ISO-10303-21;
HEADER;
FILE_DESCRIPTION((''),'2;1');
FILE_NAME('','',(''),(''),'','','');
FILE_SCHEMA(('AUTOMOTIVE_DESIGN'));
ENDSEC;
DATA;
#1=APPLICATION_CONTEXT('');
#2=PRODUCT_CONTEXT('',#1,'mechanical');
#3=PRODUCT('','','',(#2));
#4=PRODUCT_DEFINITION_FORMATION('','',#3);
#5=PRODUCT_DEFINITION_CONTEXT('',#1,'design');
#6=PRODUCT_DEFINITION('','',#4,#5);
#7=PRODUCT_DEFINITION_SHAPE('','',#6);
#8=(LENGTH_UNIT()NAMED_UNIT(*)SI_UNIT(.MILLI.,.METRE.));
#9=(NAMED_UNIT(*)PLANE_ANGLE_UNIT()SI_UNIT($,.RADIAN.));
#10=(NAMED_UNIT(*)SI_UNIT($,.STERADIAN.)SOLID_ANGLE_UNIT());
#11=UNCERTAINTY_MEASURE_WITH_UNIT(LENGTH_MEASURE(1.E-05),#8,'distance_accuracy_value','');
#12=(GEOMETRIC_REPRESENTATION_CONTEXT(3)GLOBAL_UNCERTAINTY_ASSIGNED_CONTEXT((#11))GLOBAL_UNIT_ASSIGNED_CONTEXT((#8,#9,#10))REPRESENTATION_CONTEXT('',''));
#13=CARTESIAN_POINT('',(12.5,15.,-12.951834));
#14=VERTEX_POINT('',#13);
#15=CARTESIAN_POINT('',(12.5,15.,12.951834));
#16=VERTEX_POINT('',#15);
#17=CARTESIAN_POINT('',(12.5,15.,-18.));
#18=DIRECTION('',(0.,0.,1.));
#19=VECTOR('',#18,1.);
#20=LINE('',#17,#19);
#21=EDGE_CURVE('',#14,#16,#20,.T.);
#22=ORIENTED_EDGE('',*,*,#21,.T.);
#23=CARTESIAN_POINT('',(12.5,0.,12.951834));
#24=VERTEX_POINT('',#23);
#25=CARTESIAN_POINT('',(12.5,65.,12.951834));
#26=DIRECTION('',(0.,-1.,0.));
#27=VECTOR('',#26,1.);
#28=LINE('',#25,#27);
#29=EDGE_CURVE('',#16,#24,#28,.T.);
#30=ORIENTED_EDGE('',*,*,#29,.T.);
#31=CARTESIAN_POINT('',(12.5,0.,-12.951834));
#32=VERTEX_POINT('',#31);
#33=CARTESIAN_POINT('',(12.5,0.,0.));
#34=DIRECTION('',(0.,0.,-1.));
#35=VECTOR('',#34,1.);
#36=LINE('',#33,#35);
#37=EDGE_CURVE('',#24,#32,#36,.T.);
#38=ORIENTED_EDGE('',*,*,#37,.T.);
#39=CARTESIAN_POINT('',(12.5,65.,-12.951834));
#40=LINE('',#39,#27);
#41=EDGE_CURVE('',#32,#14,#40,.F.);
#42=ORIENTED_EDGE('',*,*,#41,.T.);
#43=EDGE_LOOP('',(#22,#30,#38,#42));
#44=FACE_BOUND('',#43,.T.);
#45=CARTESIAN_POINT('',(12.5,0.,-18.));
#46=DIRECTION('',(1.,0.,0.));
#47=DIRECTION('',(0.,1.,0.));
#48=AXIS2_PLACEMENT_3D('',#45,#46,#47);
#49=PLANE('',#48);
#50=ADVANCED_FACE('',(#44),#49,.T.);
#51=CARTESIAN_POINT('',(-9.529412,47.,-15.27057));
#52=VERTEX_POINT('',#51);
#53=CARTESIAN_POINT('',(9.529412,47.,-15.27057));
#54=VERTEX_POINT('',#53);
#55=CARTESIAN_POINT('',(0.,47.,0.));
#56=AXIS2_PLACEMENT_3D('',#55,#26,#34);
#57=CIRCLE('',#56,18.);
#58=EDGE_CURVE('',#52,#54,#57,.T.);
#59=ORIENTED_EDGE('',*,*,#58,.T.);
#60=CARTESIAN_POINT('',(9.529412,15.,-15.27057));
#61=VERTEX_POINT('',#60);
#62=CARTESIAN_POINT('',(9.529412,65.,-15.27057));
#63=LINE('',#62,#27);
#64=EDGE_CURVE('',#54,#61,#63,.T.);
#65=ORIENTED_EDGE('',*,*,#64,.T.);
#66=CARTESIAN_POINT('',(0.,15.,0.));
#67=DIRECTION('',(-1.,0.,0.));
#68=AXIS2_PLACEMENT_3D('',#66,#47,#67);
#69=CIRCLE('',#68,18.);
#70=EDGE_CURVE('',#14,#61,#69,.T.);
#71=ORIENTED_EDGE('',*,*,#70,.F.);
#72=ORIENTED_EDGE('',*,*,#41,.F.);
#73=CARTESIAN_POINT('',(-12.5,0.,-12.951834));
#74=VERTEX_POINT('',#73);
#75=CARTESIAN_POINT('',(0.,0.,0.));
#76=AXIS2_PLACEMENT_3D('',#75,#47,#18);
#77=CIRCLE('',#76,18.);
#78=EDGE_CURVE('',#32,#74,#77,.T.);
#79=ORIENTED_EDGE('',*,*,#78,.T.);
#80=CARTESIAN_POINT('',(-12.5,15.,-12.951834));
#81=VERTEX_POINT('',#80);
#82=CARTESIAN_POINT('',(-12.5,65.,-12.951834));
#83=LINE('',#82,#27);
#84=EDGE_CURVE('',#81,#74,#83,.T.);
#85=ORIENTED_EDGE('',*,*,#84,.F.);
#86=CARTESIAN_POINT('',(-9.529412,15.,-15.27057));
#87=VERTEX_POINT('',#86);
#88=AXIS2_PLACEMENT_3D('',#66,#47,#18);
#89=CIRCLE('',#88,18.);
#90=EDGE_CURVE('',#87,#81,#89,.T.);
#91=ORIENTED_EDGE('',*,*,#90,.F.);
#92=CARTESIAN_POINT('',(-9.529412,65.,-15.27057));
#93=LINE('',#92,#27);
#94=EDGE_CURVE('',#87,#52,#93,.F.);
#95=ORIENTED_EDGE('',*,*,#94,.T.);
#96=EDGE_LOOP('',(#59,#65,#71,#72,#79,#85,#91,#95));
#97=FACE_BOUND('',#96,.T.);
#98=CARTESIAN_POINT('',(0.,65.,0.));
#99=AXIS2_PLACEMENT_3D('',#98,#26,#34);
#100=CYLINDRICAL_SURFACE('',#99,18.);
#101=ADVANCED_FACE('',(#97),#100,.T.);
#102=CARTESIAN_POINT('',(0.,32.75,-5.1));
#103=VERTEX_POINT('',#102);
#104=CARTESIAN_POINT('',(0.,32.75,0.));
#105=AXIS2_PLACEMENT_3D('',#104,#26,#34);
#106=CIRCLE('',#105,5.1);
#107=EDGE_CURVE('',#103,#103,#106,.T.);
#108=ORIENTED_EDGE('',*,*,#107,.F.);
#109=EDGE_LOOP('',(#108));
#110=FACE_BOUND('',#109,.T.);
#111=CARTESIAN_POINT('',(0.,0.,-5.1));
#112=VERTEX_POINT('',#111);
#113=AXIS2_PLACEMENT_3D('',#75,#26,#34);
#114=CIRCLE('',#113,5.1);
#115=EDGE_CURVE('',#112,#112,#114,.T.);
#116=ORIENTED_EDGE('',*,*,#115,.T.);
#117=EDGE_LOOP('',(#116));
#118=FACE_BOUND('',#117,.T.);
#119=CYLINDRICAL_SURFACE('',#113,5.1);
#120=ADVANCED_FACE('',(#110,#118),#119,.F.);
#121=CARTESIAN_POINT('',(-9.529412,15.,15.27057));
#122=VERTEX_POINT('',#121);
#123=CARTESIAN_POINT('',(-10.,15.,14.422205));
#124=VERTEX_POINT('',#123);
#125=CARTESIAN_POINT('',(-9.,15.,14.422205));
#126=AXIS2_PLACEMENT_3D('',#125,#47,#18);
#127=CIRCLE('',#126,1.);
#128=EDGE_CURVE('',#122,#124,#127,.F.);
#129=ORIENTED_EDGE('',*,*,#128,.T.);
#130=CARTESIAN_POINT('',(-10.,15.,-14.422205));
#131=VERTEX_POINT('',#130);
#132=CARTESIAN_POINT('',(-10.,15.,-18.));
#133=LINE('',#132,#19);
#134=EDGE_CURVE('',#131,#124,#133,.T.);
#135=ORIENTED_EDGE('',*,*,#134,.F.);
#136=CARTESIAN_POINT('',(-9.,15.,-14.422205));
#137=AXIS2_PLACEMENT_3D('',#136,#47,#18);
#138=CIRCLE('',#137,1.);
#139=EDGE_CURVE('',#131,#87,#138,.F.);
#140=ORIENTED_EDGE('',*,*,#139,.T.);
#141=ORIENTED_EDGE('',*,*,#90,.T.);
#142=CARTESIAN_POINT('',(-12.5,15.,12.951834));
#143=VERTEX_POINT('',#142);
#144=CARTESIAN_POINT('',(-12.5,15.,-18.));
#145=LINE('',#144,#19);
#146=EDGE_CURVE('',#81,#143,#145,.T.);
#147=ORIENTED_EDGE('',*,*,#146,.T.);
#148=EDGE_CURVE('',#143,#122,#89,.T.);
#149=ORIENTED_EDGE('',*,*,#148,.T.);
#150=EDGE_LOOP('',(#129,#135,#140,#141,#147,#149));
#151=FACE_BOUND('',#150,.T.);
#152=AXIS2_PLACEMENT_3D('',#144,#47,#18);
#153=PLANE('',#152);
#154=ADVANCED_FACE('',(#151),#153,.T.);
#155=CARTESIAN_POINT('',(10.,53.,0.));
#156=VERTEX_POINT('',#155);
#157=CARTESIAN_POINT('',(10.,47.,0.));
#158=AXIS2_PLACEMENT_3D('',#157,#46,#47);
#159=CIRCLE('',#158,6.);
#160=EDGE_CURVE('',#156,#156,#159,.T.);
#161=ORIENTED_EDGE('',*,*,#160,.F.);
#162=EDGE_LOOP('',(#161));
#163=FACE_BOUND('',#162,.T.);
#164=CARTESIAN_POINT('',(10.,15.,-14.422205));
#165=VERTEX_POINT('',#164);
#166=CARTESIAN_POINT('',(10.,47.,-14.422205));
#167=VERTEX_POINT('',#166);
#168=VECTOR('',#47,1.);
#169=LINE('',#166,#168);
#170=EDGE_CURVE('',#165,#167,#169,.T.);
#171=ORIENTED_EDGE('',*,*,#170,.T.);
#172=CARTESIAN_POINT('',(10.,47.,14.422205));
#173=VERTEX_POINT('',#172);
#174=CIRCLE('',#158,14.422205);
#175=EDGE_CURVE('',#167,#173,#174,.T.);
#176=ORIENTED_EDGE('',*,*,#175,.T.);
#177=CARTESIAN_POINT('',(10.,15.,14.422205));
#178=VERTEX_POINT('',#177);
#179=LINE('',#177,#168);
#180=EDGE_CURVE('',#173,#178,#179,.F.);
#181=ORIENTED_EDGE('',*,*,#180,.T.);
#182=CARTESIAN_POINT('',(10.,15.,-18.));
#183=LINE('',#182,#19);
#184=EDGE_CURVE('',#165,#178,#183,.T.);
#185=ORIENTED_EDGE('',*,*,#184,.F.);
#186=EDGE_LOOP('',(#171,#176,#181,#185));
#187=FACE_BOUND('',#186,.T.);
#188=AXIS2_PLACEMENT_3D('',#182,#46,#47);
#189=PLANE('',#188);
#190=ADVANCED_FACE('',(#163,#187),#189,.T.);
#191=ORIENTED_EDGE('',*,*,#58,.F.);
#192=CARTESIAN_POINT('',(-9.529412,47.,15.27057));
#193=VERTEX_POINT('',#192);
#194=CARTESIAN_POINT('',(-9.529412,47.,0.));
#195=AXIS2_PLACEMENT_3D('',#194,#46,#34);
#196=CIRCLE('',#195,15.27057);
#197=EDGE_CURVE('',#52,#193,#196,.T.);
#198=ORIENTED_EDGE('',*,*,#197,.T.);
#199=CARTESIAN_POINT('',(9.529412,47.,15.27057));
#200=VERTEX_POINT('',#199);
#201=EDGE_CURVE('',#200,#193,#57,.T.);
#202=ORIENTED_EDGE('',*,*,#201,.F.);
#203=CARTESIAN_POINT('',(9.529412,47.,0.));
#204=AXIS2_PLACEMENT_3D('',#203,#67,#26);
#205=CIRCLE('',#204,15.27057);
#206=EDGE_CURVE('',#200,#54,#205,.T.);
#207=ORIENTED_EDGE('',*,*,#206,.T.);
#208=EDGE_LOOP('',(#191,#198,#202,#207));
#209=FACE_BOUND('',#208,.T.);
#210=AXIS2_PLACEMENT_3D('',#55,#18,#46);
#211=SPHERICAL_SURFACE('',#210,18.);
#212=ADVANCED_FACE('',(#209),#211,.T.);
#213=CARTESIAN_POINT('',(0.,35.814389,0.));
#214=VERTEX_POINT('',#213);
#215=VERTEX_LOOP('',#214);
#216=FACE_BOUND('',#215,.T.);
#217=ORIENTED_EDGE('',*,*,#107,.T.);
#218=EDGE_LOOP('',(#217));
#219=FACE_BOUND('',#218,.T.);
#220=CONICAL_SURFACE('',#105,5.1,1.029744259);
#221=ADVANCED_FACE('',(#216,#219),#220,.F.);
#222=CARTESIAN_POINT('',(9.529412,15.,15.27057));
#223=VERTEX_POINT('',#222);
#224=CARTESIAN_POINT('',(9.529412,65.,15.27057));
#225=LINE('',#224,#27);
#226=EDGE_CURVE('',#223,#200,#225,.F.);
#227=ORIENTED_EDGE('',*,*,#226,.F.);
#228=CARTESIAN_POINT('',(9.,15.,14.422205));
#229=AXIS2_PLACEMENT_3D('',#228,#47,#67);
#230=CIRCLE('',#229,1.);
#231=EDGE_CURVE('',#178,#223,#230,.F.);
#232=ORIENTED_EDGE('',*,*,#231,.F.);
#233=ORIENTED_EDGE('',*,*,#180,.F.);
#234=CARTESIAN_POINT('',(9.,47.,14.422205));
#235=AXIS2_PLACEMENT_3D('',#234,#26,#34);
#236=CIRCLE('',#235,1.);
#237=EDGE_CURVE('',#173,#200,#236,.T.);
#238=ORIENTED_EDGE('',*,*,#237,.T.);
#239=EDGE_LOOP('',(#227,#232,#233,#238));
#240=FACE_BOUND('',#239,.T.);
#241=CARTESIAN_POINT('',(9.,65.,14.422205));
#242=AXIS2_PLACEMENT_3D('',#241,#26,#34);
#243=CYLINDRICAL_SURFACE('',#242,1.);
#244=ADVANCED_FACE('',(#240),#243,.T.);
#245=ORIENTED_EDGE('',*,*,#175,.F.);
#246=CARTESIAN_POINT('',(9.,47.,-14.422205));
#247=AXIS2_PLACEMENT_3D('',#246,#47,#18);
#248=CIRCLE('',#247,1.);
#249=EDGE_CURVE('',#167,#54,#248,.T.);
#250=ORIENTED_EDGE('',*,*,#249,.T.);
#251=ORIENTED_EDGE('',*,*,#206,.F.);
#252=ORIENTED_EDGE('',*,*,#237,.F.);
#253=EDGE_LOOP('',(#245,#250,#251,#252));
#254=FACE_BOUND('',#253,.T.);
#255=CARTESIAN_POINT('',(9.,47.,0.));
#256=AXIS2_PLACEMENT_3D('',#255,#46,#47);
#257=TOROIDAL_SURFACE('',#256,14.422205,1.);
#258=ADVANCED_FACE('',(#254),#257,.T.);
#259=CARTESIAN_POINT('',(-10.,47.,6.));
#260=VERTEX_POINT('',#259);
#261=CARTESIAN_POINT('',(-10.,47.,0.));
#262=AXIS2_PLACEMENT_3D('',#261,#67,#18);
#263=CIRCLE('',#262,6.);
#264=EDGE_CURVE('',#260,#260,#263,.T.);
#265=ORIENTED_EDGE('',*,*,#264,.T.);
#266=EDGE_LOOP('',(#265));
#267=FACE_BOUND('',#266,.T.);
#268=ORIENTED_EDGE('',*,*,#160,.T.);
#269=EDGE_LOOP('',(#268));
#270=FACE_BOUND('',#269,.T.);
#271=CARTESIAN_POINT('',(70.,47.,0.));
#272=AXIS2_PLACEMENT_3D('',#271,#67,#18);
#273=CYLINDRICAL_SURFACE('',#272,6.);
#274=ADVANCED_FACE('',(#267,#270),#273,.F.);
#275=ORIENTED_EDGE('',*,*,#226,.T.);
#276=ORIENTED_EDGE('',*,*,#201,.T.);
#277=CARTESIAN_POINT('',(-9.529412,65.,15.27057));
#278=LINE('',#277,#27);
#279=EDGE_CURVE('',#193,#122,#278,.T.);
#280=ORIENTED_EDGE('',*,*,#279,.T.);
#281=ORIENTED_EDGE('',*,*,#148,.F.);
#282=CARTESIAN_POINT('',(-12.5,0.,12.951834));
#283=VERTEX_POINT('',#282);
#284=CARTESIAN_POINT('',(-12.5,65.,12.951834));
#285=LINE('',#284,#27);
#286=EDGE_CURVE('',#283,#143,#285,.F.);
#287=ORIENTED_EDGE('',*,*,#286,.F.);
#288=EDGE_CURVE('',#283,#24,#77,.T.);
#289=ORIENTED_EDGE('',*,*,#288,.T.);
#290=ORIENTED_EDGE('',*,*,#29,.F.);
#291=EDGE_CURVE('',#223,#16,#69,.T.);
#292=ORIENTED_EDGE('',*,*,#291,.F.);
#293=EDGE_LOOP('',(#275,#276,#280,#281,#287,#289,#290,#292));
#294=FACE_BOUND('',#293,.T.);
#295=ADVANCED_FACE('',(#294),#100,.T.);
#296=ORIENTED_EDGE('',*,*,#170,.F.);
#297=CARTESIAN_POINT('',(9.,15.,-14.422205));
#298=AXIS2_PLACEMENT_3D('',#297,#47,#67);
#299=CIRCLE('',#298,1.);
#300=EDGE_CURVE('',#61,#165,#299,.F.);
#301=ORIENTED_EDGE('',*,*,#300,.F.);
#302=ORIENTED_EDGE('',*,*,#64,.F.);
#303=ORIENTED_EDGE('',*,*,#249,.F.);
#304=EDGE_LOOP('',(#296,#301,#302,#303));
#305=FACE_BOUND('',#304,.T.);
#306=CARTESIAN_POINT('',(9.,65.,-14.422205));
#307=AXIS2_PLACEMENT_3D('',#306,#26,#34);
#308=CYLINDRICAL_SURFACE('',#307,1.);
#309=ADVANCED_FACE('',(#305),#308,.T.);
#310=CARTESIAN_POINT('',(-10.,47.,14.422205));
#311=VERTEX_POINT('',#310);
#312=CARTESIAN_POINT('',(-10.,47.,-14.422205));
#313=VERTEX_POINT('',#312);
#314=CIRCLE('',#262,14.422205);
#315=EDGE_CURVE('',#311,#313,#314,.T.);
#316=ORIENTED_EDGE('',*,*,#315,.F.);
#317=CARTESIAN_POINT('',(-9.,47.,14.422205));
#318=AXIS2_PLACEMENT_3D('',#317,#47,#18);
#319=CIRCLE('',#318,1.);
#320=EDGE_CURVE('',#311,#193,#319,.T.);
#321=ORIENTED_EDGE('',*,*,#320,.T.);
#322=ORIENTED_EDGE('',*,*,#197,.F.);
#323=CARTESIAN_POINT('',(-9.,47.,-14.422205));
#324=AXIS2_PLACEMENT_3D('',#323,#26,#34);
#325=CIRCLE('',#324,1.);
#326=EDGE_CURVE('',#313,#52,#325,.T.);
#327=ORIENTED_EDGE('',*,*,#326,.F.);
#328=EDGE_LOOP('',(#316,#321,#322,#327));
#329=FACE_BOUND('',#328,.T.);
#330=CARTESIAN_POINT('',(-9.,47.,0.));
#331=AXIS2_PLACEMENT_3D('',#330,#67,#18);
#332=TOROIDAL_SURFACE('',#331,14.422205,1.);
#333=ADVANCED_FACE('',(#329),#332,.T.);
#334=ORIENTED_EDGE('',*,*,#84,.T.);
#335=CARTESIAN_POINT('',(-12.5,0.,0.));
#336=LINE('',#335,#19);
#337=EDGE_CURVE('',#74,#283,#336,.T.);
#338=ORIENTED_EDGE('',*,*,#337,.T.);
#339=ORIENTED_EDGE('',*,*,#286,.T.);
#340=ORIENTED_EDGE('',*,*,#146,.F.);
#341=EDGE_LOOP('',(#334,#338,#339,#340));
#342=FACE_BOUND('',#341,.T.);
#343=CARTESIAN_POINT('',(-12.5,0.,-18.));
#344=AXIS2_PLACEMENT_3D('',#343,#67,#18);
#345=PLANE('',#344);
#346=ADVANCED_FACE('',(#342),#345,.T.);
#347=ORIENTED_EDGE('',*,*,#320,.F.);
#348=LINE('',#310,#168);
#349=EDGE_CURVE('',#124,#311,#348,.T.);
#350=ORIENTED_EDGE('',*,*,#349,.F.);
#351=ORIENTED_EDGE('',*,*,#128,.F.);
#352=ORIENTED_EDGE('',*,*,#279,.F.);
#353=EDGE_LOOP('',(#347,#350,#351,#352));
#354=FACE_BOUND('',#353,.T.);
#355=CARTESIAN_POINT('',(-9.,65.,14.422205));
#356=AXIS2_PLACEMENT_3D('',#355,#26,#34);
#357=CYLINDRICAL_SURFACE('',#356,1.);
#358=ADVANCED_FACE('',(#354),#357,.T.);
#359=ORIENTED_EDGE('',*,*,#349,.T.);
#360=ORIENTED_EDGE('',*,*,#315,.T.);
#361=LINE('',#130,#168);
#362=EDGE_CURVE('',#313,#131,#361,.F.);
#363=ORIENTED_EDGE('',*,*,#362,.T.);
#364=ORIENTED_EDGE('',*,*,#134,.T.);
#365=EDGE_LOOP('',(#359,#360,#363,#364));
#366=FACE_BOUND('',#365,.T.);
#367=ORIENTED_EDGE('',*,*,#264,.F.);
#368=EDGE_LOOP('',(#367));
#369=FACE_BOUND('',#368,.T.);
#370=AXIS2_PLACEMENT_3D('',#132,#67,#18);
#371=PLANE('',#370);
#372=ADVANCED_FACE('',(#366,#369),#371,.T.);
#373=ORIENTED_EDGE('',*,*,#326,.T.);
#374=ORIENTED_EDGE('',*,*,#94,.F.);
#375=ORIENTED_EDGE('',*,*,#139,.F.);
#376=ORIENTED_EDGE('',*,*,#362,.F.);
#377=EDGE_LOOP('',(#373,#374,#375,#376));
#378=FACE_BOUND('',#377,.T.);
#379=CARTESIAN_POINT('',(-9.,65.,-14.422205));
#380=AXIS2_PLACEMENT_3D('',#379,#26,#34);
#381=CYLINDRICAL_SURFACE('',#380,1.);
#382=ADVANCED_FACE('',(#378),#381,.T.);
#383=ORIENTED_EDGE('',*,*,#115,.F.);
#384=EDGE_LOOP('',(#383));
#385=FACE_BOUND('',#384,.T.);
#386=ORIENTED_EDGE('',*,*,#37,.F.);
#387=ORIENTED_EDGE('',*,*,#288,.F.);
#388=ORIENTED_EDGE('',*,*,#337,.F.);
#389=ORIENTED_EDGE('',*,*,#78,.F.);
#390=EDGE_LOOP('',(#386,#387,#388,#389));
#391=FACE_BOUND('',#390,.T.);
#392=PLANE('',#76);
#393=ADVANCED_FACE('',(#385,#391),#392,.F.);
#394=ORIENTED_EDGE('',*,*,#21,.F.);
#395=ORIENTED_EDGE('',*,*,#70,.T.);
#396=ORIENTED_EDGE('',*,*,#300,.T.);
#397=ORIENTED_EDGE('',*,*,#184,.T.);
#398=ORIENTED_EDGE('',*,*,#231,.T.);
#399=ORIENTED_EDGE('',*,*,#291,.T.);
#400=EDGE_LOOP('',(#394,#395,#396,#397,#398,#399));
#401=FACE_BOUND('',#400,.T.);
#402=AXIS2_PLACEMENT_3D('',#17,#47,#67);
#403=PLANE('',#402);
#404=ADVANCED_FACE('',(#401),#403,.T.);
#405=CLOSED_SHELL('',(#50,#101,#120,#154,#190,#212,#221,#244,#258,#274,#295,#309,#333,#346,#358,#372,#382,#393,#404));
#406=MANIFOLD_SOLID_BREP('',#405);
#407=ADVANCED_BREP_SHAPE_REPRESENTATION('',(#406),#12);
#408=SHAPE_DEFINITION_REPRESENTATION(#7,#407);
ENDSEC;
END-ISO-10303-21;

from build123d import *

# Parameters (mm, degrees)
SKETCH_1_R               = 18
EXTRUDE_1_DEPTH          = 65
FILLET_1_R               = 18
CUT_EXTRUDE_2_DEPTH      = 70.806876452
CUT_EXTRUDE_2_DEPTH_BACK = 70.806876452
SKETCH_2_OUTSIDE_W       = 54.514
SKETCH_2_OUTSIDE_H       = 83.514
SKETCH_3_R               = 6
CUT_EXTRUDE_3_DEPTH      = 80
M12X1_75_1_D             = 10.2
M12X1_75_1_DEPTH         = 32.75
M12X1_75_1_TIP           = 3.064389157
FILLET_2_R               = 1


with BuildPart() as part:
    # 草图1 → 拉伸1 (new body)
    with BuildSketch(Plane(origin=(0, 0, 0), x_dir=(1, 0, 0), z_dir=(0, 1, 0))):
        with Locations(Location((0, 0, 0), (0, 0, 270))):
            Circle(SKETCH_1_R)
    extrude(amount=EXTRUDE_1_DEPTH)

    # 圆角1
    fillet_1_edges = [part.edges().sort_by_distance(p)[0] for p in [
        (0, 65, -18),
    ]]
    fillet(fillet_1_edges, radius=FILLET_1_R)

    # 草图2 outside → 拉伸2 (cut, two sides: drawn at the far end of the back side and taken through both)
    with BuildSketch(Plane.XY.offset(-CUT_EXTRUDE_2_DEPTH_BACK)):
        with Locations((0, 32.5)):
            Rectangle(SKETCH_2_OUTSIDE_W, SKETCH_2_OUTSIDE_H)
        Polygon((-12.5, 0), (-12.5, 15), (-10, 15), (-10, 85.518474484), (10, 85.518474484), (10, 15), (12.5, 15), (12.5, 0), align=None, mode=Mode.SUBTRACT)
    extrude(amount=CUT_EXTRUDE_2_DEPTH + CUT_EXTRUDE_2_DEPTH_BACK, mode=Mode.SUBTRACT)

    # 草图3 → 拉伸3 (cut)
    with BuildSketch(Plane.ZY.offset(10)):
        with Locations((0, 47)):
            Circle(SKETCH_3_R)
    extrude(amount=-CUT_EXTRUDE_3_DEPTH, mode=Mode.SUBTRACT)

    # M12x1.75 螺纹孔1
    with Locations(Plane.XZ):
        with Locations((0, 0)):
            Hole(M12X1_75_1_D / 2, depth=M12X1_75_1_DEPTH)
            with Locations((0, 0, -(M12X1_75_1_DEPTH + M12X1_75_1_TIP / 2))):  # 118° drill point
                Cone(0, M12X1_75_1_D / 2, M12X1_75_1_TIP, mode=Mode.SUBTRACT)

    # 圆角2
    fillet_2_edges = [part.edges().sort_by_distance(p)[0] for p in [
        (-10, 31, -14.966629547),
        (-10, 31, 14.966629547),
        (10, 31, 14.966629547),
        (10, 31, -14.966629547),
        (10, 61.966629547, 0),
        (-10, 61.966629547, 0),
    ]]
    fillet(fillet_2_edges, radius=FILLET_2_R)


solid = part.part
